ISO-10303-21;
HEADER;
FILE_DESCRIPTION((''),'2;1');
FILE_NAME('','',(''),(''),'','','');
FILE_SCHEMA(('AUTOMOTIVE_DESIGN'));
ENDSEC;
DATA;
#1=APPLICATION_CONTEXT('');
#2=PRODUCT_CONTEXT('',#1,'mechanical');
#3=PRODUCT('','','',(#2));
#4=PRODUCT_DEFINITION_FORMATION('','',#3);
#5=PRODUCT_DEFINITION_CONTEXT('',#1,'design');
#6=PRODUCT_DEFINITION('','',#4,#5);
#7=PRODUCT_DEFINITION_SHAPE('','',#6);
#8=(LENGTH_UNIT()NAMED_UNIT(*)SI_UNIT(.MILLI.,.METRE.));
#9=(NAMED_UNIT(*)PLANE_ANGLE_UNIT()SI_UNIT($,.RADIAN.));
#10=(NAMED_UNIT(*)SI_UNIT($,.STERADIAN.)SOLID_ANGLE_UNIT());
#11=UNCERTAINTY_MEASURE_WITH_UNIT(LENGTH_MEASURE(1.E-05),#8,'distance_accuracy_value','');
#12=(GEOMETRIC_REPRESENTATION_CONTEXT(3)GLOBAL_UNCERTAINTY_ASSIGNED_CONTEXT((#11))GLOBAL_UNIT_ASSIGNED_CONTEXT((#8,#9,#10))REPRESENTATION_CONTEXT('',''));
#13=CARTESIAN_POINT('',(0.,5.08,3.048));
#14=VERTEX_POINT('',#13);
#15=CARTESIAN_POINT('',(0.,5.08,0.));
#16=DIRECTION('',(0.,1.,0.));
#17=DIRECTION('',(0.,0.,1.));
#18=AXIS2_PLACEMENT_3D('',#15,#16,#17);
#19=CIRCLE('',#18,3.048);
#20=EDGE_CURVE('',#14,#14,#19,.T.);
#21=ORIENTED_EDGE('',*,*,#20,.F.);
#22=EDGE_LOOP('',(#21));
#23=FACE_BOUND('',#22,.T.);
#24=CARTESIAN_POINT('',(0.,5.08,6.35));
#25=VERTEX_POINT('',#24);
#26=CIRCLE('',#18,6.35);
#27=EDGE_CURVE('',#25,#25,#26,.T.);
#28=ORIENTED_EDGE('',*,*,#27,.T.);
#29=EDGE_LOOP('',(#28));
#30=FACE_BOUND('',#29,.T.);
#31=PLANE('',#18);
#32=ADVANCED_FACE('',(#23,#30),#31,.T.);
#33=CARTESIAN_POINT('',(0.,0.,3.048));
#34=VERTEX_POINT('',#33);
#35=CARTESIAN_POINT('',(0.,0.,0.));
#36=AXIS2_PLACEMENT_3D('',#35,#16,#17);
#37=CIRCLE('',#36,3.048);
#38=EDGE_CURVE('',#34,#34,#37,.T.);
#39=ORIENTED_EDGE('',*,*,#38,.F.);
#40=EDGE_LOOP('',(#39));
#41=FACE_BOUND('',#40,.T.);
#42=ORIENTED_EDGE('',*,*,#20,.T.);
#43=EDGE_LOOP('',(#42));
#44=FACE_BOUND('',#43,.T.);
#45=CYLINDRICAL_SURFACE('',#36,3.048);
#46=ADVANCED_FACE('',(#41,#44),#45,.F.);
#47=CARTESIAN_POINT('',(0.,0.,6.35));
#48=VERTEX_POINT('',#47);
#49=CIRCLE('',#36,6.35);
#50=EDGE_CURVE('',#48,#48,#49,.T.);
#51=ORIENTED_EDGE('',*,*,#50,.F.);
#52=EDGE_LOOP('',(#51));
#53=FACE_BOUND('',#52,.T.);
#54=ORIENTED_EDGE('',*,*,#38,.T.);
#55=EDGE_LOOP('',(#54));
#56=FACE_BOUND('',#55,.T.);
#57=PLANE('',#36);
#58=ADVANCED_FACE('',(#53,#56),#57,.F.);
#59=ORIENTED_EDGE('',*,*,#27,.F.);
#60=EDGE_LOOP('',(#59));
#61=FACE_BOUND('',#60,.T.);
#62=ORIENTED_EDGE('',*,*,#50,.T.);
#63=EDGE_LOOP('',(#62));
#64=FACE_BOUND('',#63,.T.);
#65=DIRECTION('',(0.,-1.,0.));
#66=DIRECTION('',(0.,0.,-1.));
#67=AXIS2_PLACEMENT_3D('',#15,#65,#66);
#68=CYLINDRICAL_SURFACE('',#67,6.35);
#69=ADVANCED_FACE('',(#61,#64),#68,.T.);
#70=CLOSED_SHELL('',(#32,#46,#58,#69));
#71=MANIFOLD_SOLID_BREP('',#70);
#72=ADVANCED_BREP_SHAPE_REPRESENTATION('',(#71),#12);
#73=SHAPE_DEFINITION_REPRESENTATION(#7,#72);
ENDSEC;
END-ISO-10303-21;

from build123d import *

# Parameters (mm, degrees)
SKETCH1_R           = 6.35
BOSS_EXTRUDE1_DEPTH = 5.08
SKETCH2_R           = 3.048
CUT_EXTRUDE1_DEPTH  = 5.08


with BuildPart() as part:
    # Sketch1 → Boss-Extrude1 (new body)
    with BuildSketch(Plane(origin=(0, 0, 0), x_dir=(1, 0, 0), z_dir=(0, 1, 0))):
        with Locations(Location((0, 0, 0), (0, 0, 270))):
            Circle(SKETCH1_R)
    extrude(amount=BOSS_EXTRUDE1_DEPTH)

    # Sketch2 → Cut-Extrude1 (cut)
    with BuildSketch(Plane(origin=(0, 5.08, 0), x_dir=(1, 0, 0), z_dir=(0, 1, 0))):
        with Locations(Location((0, 0, 0), (0, 0, 270))):
            Circle(SKETCH2_R)
    extrude(amount=-CUT_EXTRUDE1_DEPTH, mode=Mode.SUBTRACT)


solid = part.part
